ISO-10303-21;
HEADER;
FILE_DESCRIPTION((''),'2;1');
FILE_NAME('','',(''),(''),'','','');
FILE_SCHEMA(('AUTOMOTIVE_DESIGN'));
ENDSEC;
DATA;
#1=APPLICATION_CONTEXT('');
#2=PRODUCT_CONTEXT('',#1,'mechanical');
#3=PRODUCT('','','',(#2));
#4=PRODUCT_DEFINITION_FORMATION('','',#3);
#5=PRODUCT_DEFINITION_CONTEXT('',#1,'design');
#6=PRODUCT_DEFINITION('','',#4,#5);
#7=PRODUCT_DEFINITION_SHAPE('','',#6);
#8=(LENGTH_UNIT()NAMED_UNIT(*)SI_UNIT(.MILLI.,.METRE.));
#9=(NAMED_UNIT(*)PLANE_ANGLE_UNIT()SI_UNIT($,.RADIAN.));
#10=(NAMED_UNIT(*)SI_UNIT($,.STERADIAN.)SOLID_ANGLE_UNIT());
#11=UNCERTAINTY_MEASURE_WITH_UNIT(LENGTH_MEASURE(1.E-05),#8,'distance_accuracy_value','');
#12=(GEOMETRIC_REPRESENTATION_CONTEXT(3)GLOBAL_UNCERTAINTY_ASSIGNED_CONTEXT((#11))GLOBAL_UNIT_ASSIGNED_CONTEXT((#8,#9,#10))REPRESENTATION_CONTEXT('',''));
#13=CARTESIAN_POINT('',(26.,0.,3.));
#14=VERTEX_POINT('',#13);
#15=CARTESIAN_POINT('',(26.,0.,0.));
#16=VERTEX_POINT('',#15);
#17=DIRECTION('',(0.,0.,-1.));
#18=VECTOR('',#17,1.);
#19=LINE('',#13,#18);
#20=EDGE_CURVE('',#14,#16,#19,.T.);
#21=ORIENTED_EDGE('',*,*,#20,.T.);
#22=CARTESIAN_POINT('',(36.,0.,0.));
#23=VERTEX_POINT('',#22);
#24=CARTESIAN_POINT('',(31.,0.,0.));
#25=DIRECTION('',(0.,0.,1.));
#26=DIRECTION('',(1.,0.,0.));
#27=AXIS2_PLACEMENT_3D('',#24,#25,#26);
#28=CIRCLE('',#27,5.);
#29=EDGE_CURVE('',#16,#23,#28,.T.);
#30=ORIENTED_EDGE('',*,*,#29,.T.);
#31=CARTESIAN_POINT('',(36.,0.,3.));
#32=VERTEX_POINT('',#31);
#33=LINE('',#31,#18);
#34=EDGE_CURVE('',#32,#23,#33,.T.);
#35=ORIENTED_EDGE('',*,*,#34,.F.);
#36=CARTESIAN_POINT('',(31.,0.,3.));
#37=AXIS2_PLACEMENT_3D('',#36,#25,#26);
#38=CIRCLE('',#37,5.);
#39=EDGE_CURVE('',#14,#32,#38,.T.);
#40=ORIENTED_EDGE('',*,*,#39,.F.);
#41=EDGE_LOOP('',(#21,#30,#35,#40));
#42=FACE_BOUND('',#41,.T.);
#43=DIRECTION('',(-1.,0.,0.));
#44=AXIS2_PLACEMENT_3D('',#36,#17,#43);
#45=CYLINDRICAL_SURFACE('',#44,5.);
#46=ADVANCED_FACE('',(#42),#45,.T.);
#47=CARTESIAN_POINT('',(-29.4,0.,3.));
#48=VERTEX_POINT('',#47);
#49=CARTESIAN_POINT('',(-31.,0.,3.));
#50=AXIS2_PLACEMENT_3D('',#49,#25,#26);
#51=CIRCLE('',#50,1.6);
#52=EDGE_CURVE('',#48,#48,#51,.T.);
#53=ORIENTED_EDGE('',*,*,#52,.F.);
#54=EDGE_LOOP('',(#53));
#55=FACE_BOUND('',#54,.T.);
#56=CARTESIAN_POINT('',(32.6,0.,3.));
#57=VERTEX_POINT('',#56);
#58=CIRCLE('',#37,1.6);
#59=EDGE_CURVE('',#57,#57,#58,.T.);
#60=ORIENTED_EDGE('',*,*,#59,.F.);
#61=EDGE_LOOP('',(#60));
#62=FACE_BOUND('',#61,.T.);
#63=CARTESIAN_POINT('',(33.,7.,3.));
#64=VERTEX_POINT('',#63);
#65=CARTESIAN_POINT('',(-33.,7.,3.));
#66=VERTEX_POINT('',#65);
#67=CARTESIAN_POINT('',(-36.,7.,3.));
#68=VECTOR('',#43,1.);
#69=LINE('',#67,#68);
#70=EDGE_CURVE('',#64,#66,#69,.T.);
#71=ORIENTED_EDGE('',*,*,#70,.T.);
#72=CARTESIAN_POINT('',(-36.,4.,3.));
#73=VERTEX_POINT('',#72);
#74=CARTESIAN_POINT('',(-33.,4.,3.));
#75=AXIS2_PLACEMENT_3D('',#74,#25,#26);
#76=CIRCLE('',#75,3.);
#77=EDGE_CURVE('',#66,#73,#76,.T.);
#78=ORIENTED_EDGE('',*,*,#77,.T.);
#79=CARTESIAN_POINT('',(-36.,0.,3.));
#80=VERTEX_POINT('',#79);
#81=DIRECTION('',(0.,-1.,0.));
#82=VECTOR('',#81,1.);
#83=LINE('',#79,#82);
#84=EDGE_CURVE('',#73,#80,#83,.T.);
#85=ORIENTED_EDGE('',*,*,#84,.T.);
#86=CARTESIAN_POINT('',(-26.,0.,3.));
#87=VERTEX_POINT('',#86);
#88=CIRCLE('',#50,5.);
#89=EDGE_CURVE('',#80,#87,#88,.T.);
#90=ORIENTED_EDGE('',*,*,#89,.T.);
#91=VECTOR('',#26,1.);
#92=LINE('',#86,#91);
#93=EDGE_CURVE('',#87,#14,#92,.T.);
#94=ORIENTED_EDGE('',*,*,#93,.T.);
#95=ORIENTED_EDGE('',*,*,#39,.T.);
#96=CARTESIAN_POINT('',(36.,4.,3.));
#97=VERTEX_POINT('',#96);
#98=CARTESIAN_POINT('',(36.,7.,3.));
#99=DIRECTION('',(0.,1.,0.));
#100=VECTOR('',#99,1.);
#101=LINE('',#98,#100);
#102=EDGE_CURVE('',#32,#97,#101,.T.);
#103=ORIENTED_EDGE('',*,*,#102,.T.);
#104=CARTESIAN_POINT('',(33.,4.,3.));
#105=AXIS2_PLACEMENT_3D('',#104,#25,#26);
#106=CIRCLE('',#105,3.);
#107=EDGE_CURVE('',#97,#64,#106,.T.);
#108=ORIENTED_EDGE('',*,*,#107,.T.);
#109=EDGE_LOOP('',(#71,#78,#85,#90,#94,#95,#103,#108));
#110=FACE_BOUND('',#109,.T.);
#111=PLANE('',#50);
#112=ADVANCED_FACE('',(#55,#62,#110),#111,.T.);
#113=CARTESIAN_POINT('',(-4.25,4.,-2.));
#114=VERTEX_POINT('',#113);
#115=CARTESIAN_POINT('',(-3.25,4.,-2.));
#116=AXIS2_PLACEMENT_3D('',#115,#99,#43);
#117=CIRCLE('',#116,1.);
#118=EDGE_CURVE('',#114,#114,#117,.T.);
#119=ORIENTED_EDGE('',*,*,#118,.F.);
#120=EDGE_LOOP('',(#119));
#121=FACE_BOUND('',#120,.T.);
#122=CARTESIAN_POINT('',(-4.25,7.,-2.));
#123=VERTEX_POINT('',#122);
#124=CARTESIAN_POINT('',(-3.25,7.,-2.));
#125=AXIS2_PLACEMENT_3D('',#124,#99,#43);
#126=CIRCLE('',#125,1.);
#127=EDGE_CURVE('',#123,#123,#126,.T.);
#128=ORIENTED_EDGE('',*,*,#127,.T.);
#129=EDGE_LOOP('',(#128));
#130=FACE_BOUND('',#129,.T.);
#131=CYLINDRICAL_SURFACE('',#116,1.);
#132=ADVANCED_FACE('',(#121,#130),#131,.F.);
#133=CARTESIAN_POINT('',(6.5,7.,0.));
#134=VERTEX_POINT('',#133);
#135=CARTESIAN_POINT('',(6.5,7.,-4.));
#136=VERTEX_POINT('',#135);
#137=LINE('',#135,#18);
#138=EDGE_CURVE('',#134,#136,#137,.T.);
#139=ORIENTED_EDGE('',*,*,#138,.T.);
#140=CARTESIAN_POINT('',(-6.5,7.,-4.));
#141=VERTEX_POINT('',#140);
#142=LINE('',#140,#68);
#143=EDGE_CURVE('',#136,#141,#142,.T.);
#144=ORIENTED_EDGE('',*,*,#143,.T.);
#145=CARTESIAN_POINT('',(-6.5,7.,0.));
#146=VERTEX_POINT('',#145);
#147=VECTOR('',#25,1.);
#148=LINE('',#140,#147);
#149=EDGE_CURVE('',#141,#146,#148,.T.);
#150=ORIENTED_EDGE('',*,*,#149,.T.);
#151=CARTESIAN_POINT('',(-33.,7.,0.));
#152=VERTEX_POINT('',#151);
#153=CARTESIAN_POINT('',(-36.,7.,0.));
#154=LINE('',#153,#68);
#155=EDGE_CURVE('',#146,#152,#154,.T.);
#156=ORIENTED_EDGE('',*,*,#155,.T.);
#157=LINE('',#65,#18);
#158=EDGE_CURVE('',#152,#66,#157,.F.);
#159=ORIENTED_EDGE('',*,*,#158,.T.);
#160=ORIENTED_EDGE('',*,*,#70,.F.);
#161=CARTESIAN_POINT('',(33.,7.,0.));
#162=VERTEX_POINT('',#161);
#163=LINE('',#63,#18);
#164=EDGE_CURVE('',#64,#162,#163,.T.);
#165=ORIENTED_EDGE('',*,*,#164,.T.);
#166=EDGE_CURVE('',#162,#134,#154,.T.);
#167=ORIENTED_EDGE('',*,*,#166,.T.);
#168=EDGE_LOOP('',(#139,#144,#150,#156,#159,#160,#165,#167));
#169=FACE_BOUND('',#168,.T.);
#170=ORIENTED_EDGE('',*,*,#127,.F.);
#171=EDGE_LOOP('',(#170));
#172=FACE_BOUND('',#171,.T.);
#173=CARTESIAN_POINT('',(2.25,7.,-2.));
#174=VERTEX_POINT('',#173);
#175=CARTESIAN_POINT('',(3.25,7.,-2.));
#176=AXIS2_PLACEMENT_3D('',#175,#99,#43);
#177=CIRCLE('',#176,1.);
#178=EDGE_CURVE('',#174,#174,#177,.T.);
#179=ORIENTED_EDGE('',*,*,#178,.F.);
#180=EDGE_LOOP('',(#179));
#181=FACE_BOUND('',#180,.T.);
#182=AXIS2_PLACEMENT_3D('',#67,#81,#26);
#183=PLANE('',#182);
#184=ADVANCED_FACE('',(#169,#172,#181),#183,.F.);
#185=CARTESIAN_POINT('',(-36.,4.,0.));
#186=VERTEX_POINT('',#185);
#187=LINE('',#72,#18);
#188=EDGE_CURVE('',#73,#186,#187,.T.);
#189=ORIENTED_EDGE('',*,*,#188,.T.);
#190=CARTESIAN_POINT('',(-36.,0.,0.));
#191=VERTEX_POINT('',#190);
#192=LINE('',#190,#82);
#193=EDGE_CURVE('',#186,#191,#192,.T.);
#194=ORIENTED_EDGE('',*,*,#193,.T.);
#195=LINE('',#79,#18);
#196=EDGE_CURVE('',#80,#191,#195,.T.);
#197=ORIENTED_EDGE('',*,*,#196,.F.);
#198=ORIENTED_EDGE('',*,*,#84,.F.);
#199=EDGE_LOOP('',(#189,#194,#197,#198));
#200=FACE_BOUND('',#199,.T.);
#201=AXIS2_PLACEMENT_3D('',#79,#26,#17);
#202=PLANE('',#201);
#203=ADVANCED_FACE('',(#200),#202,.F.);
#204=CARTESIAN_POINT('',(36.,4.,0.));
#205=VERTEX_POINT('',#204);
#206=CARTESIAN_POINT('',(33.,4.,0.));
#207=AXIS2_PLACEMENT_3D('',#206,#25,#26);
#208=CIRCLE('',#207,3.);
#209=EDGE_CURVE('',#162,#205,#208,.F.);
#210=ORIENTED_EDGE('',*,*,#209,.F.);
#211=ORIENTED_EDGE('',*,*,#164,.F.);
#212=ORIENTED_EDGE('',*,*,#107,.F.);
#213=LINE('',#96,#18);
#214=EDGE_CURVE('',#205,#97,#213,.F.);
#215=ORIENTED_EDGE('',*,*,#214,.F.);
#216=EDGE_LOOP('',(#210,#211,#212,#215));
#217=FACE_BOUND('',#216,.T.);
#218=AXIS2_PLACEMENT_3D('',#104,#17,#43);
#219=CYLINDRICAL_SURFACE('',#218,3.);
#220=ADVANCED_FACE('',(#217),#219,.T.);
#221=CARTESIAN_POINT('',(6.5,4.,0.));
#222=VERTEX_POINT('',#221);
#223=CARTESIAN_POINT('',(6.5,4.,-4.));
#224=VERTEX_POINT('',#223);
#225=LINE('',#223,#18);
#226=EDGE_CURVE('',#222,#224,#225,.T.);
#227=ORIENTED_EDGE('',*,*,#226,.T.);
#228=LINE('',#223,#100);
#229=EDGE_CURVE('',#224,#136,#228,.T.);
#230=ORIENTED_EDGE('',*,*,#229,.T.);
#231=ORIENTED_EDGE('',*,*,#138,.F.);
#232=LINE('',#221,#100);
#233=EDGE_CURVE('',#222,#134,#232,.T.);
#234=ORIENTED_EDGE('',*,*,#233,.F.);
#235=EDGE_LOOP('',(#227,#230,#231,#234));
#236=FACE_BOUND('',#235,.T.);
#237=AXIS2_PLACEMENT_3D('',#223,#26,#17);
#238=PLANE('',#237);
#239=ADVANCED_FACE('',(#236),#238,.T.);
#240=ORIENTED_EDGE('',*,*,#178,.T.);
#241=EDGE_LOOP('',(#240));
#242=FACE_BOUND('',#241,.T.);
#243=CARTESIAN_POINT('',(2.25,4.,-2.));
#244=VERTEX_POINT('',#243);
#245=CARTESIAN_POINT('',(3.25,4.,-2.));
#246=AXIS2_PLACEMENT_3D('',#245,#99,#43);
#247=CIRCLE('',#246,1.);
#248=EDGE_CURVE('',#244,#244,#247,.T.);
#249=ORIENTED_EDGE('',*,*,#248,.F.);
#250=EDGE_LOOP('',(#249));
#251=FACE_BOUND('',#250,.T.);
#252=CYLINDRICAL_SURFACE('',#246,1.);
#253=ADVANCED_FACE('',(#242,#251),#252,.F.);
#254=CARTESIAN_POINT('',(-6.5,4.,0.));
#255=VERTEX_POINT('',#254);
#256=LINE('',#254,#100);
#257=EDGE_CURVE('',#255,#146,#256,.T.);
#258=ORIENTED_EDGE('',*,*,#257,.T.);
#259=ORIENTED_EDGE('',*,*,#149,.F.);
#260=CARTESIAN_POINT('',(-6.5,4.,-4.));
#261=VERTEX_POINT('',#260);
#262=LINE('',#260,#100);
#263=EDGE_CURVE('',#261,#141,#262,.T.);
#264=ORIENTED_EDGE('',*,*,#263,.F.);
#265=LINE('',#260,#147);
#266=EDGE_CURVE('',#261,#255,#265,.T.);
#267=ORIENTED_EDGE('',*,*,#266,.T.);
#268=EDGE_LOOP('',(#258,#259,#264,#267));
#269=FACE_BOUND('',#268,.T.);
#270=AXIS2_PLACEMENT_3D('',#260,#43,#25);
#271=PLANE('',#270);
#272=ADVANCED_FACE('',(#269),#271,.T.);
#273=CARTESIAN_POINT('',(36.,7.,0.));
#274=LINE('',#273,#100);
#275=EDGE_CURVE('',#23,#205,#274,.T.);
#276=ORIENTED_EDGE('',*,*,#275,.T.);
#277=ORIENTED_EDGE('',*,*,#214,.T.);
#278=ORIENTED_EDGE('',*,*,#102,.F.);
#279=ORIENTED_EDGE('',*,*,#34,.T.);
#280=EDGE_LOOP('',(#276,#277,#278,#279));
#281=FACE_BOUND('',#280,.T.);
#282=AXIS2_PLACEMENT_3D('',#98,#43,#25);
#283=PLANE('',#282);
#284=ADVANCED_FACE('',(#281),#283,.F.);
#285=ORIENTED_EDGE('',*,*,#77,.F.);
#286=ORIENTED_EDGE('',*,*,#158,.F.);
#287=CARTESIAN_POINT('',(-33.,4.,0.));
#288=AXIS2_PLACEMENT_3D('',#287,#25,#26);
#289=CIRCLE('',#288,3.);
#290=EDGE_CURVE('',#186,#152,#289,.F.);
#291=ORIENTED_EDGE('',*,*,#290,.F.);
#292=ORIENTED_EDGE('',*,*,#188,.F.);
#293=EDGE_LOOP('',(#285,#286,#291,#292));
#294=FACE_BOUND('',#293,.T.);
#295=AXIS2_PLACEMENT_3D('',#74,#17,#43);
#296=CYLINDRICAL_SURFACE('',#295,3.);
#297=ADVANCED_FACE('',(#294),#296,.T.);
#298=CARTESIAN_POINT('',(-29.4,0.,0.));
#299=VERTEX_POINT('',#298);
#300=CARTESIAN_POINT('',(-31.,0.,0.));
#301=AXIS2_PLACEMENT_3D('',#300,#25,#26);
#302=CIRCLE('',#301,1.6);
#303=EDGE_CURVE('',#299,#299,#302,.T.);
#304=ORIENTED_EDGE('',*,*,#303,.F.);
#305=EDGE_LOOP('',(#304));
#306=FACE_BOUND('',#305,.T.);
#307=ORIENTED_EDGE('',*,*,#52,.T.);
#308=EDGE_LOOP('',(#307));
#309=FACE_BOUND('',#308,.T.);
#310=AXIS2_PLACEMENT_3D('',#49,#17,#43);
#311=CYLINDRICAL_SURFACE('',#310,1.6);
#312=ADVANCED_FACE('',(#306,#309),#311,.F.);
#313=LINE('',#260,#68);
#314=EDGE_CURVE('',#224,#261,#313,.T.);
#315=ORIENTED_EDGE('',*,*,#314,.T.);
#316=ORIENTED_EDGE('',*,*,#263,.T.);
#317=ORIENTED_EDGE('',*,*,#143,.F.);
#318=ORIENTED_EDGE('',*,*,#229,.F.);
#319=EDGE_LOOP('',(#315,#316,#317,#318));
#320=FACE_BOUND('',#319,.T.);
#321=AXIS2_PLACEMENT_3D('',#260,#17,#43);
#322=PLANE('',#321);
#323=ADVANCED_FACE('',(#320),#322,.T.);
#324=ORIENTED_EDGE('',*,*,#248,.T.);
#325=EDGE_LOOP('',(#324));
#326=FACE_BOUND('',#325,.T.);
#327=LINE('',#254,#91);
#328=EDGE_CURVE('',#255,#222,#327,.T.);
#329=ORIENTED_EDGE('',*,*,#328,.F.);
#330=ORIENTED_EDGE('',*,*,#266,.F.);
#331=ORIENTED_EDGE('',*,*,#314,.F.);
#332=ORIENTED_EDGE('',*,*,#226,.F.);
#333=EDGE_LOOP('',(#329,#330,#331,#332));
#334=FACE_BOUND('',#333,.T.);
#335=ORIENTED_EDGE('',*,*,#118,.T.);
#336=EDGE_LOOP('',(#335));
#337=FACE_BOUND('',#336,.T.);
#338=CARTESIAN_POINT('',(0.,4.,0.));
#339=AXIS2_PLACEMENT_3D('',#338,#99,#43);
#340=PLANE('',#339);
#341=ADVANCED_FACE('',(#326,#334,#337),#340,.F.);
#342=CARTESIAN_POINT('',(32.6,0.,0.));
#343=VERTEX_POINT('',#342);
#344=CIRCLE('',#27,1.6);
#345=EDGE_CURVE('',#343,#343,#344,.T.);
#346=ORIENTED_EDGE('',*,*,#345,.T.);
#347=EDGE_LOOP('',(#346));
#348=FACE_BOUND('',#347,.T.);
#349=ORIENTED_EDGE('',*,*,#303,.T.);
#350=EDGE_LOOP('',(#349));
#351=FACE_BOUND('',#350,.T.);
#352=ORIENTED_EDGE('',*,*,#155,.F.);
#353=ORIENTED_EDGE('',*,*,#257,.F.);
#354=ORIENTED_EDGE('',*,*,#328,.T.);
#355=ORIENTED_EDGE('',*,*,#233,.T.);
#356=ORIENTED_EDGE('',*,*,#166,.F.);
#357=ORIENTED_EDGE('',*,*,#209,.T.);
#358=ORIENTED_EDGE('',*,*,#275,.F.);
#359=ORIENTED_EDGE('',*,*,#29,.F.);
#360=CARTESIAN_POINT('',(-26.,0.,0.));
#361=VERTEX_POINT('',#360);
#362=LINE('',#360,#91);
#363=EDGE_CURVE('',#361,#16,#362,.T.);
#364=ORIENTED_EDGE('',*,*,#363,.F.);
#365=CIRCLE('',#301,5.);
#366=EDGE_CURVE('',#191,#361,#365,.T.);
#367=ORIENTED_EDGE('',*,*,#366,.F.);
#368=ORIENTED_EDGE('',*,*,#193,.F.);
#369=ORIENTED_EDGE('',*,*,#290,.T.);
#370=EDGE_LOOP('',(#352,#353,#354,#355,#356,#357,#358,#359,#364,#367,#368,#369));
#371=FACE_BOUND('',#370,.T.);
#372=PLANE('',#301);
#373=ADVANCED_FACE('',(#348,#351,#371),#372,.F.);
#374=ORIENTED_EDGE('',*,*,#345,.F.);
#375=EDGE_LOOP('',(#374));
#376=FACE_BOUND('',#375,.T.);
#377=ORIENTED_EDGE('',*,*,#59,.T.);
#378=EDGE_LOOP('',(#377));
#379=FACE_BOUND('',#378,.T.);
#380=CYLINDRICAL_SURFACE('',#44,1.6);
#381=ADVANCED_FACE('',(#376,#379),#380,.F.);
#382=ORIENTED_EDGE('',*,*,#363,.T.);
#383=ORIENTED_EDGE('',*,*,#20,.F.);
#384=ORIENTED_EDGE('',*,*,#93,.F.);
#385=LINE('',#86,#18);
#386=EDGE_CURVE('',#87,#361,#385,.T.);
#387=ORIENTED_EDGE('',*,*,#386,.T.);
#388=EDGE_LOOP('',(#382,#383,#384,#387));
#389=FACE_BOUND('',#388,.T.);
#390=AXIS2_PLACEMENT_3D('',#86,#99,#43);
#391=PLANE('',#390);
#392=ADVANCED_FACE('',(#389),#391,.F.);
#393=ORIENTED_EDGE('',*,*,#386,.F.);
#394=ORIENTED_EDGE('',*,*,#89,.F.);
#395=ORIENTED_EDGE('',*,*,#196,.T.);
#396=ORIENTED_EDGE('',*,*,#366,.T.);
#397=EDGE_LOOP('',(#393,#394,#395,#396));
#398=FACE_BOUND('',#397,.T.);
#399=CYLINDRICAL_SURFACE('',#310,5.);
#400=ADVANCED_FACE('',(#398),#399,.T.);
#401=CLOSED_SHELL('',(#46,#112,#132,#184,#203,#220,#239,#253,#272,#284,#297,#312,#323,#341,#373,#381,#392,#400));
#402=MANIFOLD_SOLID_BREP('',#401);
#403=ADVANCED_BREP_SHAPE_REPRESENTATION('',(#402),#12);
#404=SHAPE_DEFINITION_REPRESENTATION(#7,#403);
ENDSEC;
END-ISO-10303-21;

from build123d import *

# Parameters (mm, degrees)
SKETCH_1_R      = 1.6
EXTRUDE_1_DEPTH = 3
SKETCH_6_W      = 13
SKETCH_6_H      = 4
SKETCH_6_R      = 1
EXTRUDE_3_DEPTH = 3
FILLET_1_R      = 3


with BuildPart() as part:
    # ｽｹｯﾁ1 → ﾎﾞｽ - 押し出し1 (new body)
    with BuildSketch(Plane.XY):
        with BuildLine():
            Line((-26, 0), (26, 0))
            ThreePointArc((26, 0), (31, -5), (36, 0))
            Line((36, 0), (36, 7))
            Line((36, 7), (-36, 7))
            Line((-36, 7), (-36, 0))
            ThreePointArc((-36, 0), (-31, -5), (-26, 0))
        make_face()
        with Locations((-31, 0)):
            Circle(SKETCH_1_R, mode=Mode.SUBTRACT)
        with Locations((31, 0)):
            Circle(SKETCH_1_R, mode=Mode.SUBTRACT)
    extrude(amount=EXTRUDE_1_DEPTH)

    # ｽｹｯﾁ6 → ﾎﾞｽ - 押し出し3 (add)
    with BuildSketch(Plane(origin=(0, 7, 0), x_dir=(1, 0, 0), z_dir=(0, 1, 0))):
        with Locations((0, 2)):
            Rectangle(SKETCH_6_W, SKETCH_6_H)
        with Locations(Location((-3.25, 2, 0), (0, 0, 180))):
            Circle(SKETCH_6_R, mode=Mode.SUBTRACT)
        with Locations(Location((3.25, 2, 0), (0, 0, 180))):
            Circle(SKETCH_6_R, mode=Mode.SUBTRACT)
    extrude(amount=-EXTRUDE_3_DEPTH)

    # ﾌｨﾚｯﾄ1
    fillet_1_edges = [part.edges().sort_by_distance(p)[0] for p in [
        (-36, 7, 1.5),
        (36, 7, 1.5),
    ]]
    fillet(fillet_1_edges, radius=FILLET_1_R)


solid = part.part
